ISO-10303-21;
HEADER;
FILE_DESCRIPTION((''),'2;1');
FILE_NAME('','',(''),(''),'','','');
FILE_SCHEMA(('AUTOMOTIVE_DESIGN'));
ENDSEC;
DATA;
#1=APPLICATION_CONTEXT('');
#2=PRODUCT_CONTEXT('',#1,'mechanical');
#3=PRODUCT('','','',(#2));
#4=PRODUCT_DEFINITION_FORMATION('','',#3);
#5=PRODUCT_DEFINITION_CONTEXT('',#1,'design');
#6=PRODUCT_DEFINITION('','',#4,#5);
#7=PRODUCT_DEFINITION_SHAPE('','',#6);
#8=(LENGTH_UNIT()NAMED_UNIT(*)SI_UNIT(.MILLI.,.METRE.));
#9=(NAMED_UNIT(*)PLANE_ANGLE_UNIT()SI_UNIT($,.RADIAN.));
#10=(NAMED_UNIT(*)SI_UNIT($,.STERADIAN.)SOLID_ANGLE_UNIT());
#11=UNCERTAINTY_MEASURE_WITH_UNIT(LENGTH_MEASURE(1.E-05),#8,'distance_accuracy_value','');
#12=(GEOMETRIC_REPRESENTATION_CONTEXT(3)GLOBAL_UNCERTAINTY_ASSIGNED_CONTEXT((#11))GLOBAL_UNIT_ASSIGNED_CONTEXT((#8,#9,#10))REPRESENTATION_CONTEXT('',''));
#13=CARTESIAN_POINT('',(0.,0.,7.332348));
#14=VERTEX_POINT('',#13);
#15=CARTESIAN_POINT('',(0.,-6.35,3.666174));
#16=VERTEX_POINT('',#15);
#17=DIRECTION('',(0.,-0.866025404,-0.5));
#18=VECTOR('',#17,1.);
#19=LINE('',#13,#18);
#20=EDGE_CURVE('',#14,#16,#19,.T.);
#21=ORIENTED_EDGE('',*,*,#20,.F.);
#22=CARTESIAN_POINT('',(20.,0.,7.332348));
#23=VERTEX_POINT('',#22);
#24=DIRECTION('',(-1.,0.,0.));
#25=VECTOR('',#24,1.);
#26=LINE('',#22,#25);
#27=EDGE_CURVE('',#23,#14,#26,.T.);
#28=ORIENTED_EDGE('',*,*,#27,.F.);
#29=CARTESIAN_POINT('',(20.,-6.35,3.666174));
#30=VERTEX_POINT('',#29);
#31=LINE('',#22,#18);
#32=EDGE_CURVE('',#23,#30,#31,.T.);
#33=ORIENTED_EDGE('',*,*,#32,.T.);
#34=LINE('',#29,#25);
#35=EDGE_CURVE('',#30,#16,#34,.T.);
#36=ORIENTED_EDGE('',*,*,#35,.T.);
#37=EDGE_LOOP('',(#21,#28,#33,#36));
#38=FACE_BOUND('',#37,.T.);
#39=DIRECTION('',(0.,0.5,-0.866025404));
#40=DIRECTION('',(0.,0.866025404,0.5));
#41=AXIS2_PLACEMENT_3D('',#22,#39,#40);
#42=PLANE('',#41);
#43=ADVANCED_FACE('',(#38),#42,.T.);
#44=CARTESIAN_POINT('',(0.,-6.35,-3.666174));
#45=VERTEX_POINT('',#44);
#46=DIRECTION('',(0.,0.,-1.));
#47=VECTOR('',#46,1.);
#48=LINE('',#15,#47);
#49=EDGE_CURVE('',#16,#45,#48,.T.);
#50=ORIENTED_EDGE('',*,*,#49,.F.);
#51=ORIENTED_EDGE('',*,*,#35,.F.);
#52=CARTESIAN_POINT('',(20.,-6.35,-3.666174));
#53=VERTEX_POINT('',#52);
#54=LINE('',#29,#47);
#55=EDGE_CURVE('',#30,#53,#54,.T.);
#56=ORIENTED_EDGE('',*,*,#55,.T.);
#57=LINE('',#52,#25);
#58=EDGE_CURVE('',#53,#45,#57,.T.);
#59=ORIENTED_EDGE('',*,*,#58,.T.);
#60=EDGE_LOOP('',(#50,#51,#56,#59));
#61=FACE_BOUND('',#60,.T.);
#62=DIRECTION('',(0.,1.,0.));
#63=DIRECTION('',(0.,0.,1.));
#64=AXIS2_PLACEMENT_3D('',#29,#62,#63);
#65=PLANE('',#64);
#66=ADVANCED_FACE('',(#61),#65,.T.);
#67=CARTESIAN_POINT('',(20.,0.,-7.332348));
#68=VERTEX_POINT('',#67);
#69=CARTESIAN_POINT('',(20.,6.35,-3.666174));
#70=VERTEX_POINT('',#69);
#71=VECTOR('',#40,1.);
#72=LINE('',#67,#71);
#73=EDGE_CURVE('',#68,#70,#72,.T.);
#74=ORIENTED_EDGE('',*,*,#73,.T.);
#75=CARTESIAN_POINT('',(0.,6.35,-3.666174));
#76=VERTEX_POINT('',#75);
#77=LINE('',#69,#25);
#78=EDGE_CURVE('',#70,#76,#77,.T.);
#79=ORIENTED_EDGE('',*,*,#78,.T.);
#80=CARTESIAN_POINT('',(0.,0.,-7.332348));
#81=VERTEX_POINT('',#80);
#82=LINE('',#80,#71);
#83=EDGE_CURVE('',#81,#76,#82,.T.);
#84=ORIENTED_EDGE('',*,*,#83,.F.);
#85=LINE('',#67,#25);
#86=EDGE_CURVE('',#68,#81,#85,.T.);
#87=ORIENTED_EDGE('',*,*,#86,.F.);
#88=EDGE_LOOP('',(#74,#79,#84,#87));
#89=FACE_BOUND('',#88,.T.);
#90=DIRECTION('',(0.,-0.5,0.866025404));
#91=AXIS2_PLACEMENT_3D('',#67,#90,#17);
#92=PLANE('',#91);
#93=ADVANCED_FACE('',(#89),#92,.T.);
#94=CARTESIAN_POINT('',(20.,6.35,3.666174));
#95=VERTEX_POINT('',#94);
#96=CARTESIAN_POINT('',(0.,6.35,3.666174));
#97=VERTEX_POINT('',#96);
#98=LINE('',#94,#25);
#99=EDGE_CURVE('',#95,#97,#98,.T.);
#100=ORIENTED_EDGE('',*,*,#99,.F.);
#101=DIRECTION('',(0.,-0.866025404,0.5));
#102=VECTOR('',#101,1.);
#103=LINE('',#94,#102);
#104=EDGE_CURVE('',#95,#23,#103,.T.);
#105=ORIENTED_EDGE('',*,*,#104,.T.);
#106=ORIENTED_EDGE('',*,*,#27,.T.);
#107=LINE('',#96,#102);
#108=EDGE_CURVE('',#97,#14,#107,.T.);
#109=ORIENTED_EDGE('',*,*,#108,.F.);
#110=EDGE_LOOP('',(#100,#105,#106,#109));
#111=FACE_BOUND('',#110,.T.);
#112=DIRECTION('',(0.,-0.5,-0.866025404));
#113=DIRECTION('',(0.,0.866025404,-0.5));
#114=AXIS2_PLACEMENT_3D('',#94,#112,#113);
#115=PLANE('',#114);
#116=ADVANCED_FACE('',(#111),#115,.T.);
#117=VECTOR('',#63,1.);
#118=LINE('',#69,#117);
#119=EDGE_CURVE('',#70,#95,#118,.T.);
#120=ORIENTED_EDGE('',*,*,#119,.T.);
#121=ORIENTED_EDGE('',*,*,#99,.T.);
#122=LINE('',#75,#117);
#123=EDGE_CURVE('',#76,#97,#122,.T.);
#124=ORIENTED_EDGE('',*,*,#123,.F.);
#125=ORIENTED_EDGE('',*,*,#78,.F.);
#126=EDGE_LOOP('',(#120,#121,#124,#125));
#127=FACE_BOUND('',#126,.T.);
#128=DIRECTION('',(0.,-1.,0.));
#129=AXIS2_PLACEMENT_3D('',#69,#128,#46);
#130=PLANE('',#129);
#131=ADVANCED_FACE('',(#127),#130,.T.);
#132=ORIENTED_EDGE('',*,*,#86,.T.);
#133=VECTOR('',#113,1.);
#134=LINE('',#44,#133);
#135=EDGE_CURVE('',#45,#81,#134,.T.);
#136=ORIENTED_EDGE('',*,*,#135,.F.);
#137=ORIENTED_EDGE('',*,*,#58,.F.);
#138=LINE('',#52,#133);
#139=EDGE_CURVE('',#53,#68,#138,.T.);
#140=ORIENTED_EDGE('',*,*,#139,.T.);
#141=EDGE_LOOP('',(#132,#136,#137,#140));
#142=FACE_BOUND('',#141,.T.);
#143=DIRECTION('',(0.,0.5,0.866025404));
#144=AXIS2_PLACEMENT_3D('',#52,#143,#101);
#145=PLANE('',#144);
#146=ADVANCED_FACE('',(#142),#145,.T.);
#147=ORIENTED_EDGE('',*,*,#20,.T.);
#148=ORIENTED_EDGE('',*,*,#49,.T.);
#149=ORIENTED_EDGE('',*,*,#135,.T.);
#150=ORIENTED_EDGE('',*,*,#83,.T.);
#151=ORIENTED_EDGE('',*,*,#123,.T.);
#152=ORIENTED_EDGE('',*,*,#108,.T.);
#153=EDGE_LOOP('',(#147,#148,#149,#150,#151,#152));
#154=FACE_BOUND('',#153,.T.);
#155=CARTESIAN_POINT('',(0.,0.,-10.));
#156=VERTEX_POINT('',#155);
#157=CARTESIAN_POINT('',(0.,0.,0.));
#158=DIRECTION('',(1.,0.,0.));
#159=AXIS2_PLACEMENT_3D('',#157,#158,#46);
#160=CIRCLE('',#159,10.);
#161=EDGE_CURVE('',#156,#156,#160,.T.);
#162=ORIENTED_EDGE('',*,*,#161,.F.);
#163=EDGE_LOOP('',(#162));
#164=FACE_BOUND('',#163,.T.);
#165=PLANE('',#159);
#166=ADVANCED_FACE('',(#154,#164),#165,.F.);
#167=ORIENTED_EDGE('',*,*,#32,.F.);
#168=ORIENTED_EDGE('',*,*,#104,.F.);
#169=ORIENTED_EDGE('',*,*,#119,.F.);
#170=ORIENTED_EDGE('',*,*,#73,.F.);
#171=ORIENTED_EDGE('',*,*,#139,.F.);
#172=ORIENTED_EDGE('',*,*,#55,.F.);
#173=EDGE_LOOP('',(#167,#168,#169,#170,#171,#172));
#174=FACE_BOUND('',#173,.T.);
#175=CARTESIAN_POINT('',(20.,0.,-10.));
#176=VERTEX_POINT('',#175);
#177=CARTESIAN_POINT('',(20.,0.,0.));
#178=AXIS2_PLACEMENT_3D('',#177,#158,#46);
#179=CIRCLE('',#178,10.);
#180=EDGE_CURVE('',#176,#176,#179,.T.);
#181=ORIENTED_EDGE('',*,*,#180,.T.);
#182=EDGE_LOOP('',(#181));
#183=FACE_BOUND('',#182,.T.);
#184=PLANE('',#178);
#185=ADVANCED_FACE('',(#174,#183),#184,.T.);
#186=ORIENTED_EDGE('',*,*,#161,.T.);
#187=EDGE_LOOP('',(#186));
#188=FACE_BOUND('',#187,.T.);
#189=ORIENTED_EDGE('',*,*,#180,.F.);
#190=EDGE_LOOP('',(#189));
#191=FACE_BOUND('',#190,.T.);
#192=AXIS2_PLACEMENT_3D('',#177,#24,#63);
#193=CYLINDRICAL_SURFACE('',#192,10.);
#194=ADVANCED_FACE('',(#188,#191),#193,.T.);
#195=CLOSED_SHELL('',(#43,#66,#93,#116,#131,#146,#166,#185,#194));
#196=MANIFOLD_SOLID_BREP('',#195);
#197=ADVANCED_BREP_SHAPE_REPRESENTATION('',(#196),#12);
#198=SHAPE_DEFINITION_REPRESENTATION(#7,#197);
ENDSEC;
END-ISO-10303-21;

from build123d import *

# Parameters (mm, degrees)
CROQUIS1_R              = 10
SALIENTE_EXTRUIR1_DEPTH = 20


with BuildPart() as part:
    # Croquis1 → Saliente-Extruir1 (new body)
    with BuildSketch(Plane(origin=(0, 0, 0), x_dir=(0, 0, -1), z_dir=(1, 0, 0))):
        Circle(CROQUIS1_R)
        Polygon((7.332348419, 0), (3.666174209, 6.35), (-3.666174209, 6.35), (-7.332348419, 0), (-3.666174209, -6.35), (3.666174209, -6.35), align=None, mode=Mode.SUBTRACT)
    extrude(amount=SALIENTE_EXTRUIR1_DEPTH)


solid = part.part
